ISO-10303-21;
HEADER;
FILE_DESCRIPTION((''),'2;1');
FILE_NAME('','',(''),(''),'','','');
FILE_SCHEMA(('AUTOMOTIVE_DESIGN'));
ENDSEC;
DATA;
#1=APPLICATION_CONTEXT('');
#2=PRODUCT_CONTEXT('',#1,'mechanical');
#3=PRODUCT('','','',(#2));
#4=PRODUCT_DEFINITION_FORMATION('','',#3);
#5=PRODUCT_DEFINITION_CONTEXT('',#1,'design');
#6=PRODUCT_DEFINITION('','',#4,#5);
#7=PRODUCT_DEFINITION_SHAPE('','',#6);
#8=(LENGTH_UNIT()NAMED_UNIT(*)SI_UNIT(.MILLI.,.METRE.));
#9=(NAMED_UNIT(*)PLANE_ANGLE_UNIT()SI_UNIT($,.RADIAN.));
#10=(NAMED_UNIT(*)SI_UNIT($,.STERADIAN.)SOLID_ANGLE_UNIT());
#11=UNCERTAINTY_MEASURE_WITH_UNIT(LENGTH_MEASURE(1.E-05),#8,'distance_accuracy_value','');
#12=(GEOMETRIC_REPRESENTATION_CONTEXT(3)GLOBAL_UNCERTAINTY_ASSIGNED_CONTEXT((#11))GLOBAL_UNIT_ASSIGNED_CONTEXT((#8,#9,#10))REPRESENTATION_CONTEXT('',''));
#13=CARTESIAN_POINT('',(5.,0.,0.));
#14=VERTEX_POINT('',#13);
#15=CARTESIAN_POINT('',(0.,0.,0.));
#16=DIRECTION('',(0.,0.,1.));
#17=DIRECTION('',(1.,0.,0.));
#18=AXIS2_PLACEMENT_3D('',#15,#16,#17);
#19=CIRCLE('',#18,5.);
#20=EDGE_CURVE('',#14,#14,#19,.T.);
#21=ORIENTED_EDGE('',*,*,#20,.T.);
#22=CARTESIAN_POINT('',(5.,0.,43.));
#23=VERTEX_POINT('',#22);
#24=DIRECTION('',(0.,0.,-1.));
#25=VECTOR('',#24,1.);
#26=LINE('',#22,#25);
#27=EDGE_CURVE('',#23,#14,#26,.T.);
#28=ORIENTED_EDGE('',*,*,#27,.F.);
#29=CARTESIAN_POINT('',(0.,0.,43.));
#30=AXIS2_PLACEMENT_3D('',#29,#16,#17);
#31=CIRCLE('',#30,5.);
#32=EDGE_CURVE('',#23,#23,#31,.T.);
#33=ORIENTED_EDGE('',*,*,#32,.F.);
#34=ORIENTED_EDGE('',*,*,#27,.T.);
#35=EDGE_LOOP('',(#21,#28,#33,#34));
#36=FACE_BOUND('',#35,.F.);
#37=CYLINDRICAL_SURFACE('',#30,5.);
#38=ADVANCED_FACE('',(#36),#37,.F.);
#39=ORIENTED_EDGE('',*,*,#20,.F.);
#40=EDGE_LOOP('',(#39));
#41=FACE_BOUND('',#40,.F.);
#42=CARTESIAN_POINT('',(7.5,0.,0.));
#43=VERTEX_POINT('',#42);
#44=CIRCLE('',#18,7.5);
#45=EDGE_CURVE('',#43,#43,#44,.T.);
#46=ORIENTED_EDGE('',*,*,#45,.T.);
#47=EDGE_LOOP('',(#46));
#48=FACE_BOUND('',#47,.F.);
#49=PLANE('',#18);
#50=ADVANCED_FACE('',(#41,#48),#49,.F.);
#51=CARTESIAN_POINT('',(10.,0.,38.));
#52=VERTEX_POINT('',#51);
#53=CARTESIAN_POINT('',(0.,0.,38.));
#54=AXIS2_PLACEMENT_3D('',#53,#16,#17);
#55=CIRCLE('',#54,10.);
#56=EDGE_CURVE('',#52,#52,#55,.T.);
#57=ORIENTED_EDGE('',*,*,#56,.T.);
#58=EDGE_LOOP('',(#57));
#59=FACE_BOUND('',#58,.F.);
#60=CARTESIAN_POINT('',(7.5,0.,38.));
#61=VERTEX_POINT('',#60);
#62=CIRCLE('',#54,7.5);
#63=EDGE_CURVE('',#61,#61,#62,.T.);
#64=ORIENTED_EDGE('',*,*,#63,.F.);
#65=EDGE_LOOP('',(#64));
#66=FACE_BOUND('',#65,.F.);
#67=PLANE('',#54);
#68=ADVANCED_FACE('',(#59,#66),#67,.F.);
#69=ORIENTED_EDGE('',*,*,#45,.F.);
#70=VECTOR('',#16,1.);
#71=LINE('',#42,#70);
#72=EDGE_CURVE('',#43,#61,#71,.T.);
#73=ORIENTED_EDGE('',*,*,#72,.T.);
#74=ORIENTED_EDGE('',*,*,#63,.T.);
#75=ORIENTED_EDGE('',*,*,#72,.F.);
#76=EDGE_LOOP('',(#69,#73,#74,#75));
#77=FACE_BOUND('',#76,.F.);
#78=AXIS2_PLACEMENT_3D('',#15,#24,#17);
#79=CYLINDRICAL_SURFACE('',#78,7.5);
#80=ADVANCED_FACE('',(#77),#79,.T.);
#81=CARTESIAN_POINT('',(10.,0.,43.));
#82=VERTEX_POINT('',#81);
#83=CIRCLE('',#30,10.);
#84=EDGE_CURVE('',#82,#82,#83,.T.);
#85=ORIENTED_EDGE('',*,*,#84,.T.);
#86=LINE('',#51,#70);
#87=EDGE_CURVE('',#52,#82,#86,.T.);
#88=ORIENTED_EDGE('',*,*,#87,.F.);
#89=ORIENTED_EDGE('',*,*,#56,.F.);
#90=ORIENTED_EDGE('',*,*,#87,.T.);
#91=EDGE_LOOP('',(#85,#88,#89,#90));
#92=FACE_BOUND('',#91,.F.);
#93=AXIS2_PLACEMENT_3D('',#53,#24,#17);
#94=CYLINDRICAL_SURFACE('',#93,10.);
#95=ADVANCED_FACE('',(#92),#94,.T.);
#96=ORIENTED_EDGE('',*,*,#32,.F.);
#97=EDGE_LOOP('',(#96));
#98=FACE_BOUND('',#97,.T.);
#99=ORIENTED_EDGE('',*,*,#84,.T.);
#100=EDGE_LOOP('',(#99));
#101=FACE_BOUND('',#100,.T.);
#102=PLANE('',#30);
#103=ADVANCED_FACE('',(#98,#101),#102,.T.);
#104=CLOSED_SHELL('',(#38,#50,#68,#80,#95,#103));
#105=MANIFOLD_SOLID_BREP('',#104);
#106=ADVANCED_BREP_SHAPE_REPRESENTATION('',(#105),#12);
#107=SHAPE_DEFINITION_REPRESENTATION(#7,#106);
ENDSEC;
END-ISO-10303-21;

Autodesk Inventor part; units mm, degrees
ref_plane "YZ Plane" through (0, 0, 0) normal (1, 0, 0) x (0, 1, 0)
ref_plane "XZ Plane" through (0, 0, 0) normal (0, 1, 0) x (-1, 0, 0)
ref_plane "XY Plane" through (0, 0, 0) normal (0, 0, 1) x (1, 0, 0)
sketch "Sketch1" plane through (0, 0, 0) normal (0, 0, 1) x (1, 0, 0)
  circle A0 centre (0, 0) radius 7.5
  dimension "d0" = 15
extrude "Extrusion1" add sketch "Sketch1" along normal blind 38
sketch "Sketch2" plane through (0, 0, 38) normal (0, 0, 1) x (1, 0, 0)
  circle A0 centre (0, 0) radius 10
  dimension "d3" = 20
extrude "Extrusion2" add sketch "Sketch2" along normal blind 5
sketch "Sketch5" plane through (0, 0, 43) normal (0, 0, 1) x (1, 0, 0)
  circle A0 centre (0, 0) radius 10 projected
  circle A1 centre (0, 0) radius 5
  dimension "d12" = 10
extrude "Extrusion5" cut sketch "Sketch5" against normal through all contours A1
properties part number "Top"
